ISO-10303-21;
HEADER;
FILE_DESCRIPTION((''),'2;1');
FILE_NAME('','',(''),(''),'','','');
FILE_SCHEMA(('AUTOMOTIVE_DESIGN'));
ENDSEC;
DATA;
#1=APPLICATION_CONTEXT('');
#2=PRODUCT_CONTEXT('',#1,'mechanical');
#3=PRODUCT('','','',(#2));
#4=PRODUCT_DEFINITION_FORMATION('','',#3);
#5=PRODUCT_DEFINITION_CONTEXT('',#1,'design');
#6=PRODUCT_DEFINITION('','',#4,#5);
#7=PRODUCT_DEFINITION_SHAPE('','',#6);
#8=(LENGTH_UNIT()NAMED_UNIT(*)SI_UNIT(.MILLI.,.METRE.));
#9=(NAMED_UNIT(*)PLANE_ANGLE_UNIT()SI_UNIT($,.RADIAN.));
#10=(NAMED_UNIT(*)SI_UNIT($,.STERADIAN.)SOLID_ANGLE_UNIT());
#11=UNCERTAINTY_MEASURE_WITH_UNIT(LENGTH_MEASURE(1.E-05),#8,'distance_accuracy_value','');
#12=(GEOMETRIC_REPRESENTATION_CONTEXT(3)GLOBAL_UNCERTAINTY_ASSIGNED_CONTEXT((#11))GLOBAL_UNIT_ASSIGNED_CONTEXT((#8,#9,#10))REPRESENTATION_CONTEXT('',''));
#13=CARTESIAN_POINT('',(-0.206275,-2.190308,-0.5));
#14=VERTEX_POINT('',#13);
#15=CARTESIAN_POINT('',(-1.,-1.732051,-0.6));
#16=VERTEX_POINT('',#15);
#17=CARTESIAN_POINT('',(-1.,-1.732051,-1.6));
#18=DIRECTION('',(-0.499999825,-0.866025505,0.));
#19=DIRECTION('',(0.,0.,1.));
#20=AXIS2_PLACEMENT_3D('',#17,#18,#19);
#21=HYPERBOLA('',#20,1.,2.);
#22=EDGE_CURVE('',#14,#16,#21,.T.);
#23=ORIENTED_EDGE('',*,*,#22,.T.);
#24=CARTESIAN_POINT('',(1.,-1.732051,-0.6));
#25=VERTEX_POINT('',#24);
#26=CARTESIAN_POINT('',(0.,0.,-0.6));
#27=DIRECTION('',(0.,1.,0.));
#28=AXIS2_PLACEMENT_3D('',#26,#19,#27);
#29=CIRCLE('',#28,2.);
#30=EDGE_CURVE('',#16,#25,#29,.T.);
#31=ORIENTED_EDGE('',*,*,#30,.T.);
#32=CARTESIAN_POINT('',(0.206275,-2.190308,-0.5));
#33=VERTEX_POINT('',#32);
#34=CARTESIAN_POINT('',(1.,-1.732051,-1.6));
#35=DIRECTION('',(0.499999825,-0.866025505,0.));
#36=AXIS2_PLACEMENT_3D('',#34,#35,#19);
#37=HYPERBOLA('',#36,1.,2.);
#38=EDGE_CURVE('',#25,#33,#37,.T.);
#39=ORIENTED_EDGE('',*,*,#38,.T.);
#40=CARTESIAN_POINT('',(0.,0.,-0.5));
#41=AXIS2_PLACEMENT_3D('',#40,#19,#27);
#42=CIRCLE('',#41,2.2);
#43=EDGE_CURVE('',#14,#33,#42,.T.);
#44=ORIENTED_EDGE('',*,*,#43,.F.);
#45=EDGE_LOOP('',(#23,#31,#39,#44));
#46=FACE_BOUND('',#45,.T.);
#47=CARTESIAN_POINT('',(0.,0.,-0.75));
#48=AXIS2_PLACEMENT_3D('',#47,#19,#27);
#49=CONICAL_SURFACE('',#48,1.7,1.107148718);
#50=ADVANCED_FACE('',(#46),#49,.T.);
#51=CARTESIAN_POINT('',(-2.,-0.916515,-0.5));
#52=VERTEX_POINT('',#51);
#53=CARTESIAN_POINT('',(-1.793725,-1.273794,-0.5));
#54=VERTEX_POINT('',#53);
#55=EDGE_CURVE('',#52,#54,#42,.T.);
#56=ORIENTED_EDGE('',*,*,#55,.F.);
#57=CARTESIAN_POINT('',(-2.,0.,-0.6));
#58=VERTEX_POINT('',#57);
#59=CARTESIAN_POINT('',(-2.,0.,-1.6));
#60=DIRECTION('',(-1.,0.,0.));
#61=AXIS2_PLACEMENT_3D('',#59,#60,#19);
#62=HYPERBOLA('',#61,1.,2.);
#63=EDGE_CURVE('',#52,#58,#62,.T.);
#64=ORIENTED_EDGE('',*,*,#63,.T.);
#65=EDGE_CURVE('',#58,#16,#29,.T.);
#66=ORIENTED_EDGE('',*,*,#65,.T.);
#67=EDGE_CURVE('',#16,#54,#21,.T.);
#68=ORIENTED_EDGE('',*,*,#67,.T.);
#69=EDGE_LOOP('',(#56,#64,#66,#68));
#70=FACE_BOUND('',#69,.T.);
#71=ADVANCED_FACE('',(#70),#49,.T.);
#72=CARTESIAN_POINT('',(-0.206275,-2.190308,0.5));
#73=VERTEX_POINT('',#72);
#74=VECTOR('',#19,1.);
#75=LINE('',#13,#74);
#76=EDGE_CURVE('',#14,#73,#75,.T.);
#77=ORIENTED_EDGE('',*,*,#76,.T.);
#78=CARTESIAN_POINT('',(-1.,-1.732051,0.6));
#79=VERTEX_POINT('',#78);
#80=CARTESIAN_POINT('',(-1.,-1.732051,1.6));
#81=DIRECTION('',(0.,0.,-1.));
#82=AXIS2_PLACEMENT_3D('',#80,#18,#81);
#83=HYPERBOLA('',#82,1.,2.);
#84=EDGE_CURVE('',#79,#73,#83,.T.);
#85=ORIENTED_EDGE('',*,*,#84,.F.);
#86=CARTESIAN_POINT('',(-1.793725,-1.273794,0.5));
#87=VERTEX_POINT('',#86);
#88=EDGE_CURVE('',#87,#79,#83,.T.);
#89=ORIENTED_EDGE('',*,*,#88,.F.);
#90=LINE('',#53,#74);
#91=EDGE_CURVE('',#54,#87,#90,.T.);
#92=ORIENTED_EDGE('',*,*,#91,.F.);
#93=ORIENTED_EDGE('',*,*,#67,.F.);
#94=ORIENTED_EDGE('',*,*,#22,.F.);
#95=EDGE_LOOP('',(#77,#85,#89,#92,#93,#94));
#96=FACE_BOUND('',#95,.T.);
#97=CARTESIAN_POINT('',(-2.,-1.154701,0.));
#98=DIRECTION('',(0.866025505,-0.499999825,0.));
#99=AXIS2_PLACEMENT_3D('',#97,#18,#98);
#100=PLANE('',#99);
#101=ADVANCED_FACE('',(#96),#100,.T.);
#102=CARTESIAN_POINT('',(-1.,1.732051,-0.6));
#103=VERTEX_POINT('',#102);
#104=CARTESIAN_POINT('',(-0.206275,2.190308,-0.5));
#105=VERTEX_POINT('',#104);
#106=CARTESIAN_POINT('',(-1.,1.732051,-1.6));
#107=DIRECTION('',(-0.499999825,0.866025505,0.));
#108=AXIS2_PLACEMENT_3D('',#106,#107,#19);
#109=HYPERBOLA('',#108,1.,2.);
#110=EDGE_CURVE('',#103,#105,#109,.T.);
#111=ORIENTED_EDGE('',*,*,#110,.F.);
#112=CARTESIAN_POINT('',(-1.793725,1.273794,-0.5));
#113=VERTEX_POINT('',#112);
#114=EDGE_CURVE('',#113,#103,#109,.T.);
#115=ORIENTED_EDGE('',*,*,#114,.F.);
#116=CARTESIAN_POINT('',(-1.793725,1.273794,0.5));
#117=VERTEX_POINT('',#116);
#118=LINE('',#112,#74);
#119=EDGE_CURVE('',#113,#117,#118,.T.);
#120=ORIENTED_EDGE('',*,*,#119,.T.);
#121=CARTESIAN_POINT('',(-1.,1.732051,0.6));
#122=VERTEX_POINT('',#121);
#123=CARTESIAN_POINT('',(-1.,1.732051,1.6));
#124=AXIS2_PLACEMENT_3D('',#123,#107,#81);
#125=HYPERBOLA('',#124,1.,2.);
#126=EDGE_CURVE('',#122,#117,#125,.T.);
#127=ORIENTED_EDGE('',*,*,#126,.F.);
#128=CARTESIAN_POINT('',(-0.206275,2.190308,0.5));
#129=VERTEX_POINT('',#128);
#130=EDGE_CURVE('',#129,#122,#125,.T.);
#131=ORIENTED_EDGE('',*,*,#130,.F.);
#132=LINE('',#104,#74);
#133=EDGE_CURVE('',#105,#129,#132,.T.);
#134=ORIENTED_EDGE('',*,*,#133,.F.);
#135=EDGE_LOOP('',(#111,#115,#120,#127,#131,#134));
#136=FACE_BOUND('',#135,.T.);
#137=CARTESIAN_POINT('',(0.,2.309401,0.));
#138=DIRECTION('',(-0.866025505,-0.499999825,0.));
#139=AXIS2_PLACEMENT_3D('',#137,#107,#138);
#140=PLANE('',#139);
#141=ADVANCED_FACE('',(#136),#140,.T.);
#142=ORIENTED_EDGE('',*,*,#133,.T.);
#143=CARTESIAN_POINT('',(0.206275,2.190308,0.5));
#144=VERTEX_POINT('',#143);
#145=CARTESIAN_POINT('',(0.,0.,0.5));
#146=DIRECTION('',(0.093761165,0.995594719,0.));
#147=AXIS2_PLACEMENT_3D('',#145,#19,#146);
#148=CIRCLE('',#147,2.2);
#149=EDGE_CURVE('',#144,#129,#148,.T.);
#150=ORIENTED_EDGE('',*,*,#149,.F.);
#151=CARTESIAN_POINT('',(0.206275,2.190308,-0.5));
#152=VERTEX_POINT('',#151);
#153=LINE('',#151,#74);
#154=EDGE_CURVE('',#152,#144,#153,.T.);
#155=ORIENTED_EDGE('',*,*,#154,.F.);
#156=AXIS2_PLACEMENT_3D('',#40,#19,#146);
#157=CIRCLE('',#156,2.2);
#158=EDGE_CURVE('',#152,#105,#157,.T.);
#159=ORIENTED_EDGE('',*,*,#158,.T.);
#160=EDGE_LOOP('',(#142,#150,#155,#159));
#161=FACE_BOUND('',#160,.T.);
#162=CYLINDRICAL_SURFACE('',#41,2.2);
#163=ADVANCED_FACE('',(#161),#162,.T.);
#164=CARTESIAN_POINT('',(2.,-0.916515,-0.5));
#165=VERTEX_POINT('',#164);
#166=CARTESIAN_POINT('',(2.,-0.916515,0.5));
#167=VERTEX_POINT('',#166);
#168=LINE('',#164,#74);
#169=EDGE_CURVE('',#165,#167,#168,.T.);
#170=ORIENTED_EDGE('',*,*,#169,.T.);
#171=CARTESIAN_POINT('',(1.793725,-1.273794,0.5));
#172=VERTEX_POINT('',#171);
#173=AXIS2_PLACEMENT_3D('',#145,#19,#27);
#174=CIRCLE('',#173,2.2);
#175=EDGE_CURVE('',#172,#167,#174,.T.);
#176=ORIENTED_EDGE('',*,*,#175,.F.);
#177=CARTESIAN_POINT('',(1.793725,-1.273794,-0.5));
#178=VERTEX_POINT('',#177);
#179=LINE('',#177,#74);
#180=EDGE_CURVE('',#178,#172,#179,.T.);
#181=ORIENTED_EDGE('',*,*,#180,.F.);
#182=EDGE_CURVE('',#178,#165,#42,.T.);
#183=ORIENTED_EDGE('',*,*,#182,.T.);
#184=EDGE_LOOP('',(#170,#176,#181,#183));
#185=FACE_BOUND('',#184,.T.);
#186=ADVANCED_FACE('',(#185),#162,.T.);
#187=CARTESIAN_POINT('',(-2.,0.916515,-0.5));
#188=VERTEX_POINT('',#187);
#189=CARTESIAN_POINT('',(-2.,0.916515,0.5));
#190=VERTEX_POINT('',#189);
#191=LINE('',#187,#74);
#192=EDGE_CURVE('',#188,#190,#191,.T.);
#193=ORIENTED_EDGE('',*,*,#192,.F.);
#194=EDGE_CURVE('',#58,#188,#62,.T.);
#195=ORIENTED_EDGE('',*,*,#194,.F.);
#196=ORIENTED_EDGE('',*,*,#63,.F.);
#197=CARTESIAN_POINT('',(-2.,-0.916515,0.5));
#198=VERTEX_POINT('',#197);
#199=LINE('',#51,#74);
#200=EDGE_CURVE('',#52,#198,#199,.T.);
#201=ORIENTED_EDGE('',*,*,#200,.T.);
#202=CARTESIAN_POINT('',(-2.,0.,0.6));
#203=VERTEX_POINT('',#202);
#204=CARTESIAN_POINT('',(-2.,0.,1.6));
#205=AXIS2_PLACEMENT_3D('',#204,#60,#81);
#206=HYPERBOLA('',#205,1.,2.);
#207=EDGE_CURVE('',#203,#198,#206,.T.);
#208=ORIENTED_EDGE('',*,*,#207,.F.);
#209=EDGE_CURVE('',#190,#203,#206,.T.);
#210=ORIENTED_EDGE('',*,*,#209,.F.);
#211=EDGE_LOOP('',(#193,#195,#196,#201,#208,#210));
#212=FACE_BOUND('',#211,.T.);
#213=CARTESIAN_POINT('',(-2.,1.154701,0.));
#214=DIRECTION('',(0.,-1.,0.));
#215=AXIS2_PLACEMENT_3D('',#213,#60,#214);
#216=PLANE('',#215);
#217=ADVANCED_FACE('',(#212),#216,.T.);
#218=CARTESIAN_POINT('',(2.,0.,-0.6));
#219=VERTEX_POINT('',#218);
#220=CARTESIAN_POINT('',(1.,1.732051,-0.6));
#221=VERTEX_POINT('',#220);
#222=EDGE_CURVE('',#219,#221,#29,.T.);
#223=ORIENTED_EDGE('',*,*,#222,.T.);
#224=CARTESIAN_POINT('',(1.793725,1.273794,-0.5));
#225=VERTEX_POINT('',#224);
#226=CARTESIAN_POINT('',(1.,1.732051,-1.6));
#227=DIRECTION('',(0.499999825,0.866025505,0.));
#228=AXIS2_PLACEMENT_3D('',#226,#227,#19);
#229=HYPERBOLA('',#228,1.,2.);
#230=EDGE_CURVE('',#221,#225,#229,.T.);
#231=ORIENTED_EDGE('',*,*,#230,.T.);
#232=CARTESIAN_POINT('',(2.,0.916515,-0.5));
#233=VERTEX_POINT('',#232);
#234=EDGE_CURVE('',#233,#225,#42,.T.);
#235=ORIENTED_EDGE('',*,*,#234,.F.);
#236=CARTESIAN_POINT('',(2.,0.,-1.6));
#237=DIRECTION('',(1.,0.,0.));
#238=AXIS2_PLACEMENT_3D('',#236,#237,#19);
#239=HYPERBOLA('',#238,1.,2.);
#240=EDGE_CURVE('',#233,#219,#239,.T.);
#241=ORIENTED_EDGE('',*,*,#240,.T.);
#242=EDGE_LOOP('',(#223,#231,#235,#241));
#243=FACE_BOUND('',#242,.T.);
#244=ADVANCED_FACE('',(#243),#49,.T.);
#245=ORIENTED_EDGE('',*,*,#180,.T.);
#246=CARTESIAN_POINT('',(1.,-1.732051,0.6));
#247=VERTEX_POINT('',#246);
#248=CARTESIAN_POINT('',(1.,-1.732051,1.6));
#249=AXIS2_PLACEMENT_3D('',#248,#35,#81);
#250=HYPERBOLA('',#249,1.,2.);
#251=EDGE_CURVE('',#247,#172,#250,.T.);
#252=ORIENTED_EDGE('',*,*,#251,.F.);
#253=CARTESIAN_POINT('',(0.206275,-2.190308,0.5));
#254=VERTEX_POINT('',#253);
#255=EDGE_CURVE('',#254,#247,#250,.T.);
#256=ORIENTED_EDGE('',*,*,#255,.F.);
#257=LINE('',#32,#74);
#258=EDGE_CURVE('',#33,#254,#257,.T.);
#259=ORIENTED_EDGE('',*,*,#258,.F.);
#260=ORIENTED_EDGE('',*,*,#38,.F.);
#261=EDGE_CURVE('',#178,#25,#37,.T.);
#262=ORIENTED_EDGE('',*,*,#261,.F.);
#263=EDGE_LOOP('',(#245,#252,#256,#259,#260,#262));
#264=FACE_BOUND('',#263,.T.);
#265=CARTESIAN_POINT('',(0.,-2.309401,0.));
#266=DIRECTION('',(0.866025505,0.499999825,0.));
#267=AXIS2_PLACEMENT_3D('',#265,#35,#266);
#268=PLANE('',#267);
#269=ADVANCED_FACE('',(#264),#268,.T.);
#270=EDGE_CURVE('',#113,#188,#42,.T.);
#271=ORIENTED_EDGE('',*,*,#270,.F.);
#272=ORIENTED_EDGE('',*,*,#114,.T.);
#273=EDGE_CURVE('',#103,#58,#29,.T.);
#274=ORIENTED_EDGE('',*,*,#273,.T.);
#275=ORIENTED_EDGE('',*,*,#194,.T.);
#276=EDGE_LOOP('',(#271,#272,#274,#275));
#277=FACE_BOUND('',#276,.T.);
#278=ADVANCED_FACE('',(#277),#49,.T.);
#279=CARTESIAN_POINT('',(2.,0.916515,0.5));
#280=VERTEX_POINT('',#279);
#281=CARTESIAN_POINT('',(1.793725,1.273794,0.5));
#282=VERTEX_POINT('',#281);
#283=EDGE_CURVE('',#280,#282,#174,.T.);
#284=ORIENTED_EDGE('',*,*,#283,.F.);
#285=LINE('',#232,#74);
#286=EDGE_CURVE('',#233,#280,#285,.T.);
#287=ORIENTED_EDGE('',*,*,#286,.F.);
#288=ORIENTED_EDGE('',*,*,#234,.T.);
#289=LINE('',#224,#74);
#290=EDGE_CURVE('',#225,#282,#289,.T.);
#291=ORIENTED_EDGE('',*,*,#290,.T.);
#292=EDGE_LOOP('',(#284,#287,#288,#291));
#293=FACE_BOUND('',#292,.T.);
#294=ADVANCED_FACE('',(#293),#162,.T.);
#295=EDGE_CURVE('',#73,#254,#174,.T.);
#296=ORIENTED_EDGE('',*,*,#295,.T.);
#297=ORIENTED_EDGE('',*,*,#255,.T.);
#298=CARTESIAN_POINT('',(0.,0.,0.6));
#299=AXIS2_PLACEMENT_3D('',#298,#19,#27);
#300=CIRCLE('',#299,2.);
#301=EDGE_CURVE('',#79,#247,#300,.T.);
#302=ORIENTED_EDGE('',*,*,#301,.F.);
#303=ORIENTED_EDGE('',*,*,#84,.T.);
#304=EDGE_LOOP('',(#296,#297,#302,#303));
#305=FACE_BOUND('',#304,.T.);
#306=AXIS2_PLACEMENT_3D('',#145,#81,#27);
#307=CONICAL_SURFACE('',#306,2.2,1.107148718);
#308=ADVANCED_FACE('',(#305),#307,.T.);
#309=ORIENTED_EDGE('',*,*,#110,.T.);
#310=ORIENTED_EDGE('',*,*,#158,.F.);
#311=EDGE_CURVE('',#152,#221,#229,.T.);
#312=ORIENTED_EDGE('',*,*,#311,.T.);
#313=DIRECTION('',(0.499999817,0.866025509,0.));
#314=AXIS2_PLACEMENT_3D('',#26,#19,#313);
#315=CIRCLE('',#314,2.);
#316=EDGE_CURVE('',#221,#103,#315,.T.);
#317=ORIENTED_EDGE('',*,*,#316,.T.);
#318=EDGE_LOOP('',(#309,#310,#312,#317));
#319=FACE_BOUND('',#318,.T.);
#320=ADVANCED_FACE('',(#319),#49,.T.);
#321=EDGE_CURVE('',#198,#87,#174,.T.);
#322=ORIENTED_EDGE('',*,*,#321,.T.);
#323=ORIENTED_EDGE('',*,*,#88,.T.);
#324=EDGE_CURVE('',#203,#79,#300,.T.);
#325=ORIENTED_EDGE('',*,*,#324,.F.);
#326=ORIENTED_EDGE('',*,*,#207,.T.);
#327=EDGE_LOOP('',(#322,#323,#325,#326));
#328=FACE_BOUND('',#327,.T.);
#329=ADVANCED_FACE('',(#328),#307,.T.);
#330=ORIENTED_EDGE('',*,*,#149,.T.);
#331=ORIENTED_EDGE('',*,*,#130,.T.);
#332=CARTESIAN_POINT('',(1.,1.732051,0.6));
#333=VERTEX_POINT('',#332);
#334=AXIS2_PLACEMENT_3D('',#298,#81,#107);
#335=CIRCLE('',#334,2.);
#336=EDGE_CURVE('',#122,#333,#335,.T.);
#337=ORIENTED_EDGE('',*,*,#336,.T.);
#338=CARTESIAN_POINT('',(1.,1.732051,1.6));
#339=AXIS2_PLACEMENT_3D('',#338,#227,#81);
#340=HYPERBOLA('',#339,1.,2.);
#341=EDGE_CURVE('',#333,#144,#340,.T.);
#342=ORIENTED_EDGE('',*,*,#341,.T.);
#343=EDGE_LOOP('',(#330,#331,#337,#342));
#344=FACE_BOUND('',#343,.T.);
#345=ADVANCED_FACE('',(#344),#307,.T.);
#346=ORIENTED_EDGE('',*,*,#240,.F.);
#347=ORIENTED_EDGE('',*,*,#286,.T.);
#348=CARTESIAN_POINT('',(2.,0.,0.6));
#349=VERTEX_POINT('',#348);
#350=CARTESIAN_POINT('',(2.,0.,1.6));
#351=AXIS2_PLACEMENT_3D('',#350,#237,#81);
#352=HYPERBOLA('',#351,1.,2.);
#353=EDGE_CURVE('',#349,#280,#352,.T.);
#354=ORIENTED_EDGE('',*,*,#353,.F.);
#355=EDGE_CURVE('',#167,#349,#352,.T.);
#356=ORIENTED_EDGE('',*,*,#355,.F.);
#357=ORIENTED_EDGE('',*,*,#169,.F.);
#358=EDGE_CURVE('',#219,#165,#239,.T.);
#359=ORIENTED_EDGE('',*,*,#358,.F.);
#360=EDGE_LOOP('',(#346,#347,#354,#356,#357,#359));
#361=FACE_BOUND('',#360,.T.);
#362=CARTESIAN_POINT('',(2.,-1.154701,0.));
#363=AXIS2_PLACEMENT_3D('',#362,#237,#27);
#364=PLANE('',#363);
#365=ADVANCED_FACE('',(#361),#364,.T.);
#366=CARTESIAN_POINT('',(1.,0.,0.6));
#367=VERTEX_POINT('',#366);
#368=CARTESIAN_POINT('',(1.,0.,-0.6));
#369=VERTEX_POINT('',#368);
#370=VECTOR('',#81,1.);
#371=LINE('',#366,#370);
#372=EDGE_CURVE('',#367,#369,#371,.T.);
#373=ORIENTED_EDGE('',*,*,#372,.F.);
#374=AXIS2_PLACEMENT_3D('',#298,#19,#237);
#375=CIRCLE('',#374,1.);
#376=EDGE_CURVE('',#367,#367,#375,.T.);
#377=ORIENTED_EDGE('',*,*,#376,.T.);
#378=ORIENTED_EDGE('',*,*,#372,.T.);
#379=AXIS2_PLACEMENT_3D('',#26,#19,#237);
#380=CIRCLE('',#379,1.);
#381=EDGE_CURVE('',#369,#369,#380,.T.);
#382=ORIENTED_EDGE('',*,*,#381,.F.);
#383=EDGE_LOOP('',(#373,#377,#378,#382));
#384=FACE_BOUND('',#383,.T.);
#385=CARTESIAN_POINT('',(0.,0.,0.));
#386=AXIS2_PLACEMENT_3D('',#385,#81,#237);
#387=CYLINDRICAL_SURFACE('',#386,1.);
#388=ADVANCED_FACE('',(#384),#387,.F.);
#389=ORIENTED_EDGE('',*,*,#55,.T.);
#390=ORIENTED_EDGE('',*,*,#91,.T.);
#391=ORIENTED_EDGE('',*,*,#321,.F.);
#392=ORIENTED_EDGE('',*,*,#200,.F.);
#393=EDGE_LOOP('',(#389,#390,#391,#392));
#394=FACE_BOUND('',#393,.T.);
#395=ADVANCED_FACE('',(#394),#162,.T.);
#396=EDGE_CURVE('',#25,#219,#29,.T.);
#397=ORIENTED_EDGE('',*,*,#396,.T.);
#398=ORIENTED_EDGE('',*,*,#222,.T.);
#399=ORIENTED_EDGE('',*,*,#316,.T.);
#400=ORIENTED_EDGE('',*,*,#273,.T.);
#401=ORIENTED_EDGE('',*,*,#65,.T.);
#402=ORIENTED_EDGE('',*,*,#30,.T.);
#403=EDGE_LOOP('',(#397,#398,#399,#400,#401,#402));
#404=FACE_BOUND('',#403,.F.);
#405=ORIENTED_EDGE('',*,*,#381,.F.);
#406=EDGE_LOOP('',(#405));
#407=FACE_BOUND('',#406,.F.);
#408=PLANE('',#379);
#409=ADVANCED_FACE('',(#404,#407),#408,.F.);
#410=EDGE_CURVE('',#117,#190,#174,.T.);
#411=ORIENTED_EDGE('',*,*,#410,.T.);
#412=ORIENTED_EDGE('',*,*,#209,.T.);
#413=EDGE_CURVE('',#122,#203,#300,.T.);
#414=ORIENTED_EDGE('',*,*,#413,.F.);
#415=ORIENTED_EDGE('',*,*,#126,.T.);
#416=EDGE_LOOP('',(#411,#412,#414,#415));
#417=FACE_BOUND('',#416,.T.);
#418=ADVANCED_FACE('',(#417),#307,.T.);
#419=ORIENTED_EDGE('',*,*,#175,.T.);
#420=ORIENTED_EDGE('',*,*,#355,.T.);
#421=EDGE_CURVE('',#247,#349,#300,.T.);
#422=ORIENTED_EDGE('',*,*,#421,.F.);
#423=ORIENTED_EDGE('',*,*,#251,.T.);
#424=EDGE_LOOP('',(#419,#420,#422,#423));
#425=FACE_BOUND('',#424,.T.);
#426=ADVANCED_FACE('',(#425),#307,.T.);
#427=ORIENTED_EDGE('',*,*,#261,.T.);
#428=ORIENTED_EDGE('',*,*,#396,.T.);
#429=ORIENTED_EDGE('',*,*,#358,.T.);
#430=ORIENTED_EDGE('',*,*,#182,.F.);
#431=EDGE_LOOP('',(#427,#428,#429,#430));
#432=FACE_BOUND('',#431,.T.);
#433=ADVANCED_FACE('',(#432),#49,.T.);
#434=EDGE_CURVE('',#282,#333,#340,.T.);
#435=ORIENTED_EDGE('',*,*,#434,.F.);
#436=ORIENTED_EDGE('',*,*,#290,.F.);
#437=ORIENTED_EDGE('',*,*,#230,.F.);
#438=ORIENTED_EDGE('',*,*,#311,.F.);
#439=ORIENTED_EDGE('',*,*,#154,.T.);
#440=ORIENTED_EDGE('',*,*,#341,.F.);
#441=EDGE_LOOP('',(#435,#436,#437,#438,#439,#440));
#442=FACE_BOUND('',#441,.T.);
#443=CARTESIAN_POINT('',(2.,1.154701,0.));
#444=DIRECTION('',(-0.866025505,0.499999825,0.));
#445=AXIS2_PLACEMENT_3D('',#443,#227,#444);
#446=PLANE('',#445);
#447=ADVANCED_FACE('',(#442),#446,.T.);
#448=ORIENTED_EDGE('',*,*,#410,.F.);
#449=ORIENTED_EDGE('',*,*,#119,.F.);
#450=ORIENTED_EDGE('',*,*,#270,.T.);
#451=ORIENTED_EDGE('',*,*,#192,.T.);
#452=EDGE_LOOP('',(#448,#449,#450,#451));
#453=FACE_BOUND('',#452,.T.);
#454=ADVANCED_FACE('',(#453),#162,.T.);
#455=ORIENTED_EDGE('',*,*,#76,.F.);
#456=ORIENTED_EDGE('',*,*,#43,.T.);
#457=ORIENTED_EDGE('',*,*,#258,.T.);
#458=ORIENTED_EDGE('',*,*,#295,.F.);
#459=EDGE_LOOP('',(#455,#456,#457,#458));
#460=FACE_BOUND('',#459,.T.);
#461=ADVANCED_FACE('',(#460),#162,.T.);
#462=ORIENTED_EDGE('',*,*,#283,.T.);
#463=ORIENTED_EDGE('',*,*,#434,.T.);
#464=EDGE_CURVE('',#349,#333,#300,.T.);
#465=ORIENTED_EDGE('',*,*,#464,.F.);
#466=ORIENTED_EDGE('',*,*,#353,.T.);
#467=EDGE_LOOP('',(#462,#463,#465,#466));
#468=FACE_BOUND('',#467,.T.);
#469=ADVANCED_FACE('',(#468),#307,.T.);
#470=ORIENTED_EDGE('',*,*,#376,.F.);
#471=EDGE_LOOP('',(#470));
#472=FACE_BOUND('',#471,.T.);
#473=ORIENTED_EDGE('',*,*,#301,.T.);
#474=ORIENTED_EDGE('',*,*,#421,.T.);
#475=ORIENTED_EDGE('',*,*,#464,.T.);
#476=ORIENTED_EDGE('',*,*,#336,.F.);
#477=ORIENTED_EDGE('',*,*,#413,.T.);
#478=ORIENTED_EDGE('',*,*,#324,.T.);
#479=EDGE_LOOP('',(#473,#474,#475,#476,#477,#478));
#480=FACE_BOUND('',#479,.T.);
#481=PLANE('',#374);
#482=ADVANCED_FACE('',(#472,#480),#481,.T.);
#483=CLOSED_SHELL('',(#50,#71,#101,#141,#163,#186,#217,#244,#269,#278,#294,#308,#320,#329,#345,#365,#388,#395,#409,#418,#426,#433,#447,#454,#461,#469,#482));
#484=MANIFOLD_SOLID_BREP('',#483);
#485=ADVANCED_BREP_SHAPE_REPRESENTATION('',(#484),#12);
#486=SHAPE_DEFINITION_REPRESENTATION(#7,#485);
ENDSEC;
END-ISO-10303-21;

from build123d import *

# Parameters (mm, degrees)
SKETCH_R  = 1
PAD_DEPTH = 0.6


with BuildPart() as body001:
    # Sketch001 → Revolution (revolve)
    with BuildSketch(Plane.YZ):
        Polygon((2.2, 0.5), (1.7, 0.75), (2.5, 0.75), (2.5, -0.75), (1.7, -0.75), (2.2, -0.5), align=None)
    revolve(axis=Axis((0, 0, 0), (0, 0, 1)))


with BuildPart() as cut:
    # Sketch → Pad (new body, symmetric)
    with BuildSketch(Plane.XY):
        Polygon((2, 1.154701), (0, 2.309401), (-2, 1.154701), (-2, -1.154701), (0, -2.309401), (2, -1.154701), align=None)
        Circle(SKETCH_R, mode=Mode.SUBTRACT)
    extrude(amount=PAD_DEPTH, both=True)

    # Cut: cut Body001
    add(body001.part, mode=Mode.SUBTRACT)


solid = cut.part
